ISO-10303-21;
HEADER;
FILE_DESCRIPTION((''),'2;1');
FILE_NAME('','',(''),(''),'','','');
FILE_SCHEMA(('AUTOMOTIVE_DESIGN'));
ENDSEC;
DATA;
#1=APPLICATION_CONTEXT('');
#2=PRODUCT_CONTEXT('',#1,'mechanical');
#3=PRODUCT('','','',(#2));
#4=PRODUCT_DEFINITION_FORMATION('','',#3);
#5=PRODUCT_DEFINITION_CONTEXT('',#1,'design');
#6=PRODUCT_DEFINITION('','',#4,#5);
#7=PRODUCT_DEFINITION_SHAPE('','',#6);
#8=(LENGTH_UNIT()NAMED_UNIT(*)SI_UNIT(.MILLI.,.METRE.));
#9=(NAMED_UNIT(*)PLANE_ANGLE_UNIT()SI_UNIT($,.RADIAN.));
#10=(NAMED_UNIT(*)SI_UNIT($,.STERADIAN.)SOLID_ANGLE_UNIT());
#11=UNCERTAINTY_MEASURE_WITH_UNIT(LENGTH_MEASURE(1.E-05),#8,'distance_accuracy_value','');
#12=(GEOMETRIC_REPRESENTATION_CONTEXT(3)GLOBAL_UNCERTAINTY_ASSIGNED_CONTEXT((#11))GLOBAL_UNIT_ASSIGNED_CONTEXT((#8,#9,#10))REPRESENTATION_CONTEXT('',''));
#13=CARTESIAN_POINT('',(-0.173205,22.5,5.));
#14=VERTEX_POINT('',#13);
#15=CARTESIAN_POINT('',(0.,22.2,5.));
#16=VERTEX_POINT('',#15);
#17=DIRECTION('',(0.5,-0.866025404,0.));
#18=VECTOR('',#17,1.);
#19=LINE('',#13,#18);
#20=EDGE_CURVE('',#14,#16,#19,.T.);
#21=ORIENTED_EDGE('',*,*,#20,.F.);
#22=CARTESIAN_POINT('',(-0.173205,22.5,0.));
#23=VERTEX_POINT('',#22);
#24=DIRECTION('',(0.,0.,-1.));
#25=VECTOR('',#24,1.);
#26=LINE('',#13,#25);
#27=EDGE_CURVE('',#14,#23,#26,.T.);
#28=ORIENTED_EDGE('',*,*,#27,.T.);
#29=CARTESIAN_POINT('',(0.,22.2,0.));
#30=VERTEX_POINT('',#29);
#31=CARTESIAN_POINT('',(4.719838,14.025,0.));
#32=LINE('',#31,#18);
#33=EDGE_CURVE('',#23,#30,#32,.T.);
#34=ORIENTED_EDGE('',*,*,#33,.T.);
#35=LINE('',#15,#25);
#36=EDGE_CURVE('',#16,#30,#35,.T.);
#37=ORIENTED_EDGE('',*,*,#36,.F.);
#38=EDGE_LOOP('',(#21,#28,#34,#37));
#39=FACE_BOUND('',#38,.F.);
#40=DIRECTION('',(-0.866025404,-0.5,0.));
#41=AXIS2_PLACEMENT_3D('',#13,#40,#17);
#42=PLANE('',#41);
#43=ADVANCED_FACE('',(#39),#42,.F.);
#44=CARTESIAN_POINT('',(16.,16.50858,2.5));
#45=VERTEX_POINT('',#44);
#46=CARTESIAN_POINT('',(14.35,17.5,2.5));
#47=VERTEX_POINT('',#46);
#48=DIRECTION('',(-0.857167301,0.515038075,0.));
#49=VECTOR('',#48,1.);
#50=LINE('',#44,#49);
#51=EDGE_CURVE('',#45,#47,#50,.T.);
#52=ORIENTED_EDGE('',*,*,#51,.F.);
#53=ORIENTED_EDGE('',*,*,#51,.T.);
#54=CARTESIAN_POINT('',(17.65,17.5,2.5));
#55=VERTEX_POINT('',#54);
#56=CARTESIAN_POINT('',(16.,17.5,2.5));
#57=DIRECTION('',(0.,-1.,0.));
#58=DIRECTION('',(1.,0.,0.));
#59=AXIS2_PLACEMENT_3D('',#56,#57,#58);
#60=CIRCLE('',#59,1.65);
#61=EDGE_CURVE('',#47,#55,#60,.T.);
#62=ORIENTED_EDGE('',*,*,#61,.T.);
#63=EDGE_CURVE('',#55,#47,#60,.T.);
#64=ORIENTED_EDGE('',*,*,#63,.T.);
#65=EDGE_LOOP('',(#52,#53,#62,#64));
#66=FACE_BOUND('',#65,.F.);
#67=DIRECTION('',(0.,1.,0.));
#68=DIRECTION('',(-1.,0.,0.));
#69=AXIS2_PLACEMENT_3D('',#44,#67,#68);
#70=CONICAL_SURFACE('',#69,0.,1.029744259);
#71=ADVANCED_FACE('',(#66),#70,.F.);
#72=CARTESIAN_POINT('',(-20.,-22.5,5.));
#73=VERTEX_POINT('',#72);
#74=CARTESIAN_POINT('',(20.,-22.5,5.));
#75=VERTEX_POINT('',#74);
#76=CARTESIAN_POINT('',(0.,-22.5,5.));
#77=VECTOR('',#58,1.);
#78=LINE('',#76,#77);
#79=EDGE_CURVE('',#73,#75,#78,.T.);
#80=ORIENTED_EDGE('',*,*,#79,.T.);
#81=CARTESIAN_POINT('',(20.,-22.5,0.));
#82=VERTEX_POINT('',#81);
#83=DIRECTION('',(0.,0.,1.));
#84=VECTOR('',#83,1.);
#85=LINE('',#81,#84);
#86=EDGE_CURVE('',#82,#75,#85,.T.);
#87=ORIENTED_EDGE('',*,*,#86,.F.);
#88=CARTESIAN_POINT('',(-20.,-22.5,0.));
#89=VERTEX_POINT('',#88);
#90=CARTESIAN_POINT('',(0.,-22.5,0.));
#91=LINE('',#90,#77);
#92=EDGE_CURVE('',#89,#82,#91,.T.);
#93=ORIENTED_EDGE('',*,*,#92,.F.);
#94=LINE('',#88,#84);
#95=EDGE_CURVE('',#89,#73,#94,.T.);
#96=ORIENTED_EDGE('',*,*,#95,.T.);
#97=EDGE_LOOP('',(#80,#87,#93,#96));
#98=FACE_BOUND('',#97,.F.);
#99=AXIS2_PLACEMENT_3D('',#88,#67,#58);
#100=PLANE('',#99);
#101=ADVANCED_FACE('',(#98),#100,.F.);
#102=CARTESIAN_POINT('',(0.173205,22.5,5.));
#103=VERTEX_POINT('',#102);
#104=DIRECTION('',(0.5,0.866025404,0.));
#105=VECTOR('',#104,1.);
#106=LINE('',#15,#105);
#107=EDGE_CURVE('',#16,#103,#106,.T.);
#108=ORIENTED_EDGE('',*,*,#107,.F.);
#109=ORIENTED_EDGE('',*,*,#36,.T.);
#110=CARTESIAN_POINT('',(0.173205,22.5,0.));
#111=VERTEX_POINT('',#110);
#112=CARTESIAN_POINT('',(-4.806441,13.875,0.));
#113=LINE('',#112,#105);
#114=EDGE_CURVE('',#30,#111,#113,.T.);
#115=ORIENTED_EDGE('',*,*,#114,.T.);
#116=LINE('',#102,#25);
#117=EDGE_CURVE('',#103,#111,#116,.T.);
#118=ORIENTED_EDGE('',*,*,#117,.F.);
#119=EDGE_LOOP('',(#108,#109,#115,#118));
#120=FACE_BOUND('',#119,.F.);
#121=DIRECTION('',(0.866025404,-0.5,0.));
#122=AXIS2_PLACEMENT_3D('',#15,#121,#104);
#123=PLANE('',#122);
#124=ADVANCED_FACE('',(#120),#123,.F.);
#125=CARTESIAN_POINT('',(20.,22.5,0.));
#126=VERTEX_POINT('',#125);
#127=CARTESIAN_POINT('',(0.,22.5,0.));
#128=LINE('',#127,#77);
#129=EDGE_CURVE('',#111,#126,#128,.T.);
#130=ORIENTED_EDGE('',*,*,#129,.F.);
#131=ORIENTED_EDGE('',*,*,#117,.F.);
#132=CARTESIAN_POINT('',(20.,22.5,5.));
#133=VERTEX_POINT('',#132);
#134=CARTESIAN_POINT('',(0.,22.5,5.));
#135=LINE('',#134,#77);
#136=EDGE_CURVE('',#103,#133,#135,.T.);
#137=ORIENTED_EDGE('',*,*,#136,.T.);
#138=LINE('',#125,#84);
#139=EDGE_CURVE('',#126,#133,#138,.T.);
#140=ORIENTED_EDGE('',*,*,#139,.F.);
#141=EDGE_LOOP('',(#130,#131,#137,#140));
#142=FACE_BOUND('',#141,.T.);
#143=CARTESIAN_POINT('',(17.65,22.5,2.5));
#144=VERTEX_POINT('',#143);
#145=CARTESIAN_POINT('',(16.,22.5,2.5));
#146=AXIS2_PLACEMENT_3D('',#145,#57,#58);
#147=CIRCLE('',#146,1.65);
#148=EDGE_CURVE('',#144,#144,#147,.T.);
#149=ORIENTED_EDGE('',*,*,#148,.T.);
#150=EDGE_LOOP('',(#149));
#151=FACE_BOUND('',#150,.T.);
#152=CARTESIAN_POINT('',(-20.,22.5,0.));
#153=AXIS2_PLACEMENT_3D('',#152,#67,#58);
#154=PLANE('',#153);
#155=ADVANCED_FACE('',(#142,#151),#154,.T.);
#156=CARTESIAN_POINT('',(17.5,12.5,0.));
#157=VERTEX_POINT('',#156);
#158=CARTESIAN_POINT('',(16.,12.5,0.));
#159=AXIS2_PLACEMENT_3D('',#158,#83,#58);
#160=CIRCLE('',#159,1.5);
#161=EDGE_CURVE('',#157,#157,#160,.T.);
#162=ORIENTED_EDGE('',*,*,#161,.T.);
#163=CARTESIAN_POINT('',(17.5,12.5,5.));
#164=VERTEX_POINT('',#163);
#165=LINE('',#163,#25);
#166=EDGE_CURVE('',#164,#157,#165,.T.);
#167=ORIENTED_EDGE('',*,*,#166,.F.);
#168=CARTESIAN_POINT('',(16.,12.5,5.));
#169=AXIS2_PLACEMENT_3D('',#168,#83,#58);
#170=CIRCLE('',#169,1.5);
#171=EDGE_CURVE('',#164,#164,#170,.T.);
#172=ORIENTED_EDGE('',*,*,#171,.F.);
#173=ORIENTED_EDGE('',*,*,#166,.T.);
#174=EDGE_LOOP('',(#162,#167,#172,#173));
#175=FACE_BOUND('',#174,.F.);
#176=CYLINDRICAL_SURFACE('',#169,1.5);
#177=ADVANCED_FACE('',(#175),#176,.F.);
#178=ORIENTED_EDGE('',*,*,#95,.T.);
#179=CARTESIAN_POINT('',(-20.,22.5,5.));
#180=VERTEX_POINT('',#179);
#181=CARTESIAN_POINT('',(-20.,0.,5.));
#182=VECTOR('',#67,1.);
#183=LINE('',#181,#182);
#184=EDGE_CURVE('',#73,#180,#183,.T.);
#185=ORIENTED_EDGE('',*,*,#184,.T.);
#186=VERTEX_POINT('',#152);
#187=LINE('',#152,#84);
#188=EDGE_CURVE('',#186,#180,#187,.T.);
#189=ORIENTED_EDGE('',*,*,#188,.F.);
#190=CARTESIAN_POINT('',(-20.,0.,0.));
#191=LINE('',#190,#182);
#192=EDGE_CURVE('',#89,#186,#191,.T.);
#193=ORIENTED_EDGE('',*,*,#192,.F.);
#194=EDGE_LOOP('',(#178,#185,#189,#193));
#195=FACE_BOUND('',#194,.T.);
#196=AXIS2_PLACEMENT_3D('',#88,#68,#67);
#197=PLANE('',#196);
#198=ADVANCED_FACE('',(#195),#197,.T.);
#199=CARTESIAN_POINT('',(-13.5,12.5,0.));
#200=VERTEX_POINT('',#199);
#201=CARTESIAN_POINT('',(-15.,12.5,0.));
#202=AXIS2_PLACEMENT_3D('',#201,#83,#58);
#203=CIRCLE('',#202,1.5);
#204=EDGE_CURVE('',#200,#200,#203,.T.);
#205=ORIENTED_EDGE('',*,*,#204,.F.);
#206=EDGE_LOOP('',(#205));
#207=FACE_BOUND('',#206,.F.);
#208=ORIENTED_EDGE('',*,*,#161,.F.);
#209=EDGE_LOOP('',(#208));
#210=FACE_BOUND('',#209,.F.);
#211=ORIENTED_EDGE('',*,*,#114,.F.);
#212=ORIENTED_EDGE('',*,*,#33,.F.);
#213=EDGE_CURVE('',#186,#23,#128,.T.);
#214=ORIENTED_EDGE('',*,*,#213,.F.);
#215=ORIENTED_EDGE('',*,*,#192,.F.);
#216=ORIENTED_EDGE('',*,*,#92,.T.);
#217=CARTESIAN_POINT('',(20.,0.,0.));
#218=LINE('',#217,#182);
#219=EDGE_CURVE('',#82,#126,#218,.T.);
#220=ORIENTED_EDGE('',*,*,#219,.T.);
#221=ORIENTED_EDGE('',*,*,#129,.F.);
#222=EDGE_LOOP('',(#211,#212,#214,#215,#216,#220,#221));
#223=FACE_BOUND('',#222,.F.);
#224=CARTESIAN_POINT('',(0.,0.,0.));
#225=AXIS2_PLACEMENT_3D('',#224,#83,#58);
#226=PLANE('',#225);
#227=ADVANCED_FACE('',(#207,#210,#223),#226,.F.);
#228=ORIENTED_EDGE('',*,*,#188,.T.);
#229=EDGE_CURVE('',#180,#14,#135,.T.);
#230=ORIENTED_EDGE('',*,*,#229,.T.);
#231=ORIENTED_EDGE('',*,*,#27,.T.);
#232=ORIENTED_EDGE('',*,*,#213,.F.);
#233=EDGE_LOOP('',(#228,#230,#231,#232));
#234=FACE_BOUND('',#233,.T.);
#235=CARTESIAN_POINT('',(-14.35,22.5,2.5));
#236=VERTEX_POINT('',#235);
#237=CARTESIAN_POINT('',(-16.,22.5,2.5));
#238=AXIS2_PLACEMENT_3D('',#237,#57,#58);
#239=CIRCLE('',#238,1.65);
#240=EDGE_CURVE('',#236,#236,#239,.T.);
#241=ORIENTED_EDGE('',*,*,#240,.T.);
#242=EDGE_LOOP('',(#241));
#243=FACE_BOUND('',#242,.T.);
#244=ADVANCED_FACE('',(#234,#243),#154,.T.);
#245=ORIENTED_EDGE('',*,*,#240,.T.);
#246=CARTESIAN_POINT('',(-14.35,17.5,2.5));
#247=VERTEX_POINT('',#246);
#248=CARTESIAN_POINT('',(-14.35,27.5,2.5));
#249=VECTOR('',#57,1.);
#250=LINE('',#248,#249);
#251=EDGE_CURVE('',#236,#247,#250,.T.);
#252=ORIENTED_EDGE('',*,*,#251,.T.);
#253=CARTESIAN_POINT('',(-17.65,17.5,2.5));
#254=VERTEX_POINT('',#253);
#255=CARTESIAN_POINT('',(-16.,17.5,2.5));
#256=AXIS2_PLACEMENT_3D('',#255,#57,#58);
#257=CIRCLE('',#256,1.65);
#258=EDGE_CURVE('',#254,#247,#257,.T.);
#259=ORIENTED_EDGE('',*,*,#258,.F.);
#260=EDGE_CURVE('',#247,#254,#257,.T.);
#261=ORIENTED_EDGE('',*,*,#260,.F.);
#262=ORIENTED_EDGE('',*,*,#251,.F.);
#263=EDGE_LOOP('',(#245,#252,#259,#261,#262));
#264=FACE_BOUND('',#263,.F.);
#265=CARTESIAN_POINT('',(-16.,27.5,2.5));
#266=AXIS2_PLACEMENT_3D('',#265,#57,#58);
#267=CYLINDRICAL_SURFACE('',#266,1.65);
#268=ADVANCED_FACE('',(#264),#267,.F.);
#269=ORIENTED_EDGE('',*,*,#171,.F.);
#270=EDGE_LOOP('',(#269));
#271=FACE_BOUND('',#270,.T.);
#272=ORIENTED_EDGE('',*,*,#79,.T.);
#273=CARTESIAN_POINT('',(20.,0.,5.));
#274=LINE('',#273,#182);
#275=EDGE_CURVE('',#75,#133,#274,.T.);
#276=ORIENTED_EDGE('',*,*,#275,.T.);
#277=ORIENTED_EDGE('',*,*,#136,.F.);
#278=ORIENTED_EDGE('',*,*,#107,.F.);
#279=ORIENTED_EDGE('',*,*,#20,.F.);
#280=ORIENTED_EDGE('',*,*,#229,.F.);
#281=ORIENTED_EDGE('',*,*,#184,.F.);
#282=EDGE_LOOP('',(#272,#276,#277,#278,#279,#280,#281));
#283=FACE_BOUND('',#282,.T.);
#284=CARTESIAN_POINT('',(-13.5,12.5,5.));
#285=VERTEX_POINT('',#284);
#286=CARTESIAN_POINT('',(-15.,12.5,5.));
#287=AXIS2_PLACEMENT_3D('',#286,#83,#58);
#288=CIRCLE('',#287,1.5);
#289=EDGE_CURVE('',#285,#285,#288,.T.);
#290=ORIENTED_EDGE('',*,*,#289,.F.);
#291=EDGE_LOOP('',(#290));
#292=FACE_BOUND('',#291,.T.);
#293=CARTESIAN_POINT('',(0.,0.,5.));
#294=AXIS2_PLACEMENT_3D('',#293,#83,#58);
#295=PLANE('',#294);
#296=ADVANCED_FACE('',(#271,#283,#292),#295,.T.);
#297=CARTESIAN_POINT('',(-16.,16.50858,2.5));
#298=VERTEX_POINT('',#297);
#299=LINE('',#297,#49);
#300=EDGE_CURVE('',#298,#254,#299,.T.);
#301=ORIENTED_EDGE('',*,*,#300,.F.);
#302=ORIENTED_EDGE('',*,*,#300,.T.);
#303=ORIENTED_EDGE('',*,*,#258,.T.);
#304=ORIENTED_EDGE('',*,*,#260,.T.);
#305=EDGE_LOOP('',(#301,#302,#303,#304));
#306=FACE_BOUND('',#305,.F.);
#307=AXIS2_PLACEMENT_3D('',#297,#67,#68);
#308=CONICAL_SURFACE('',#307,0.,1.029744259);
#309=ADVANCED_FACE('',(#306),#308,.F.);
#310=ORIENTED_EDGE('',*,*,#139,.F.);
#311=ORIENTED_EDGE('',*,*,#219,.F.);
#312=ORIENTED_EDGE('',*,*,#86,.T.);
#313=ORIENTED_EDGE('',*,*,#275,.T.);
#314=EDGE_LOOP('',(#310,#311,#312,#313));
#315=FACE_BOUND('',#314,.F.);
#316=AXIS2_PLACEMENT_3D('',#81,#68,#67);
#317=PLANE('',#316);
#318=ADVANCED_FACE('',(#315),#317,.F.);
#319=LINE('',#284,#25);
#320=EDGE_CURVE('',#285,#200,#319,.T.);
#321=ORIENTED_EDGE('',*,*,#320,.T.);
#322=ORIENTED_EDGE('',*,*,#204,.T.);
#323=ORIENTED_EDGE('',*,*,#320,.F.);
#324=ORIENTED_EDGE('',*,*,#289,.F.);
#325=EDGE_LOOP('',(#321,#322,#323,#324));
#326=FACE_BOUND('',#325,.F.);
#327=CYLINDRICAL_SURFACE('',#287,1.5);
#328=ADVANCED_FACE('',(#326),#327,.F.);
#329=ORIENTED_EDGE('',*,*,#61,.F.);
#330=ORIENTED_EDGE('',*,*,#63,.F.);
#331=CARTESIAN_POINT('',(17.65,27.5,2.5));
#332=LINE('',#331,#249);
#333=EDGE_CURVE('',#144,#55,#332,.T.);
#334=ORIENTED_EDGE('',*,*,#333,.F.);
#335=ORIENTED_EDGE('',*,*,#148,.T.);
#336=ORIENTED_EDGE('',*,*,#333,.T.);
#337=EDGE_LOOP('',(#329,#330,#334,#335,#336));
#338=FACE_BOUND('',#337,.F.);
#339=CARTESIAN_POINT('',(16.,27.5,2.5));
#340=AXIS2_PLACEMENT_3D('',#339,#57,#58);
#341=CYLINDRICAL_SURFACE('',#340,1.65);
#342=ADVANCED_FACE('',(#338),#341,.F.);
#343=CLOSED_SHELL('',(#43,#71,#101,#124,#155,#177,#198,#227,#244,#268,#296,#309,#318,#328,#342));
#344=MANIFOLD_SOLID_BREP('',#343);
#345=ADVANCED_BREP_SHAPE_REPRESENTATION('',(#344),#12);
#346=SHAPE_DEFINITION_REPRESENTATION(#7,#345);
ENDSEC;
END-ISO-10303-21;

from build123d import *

# Parameters (mm, degrees)
F0_W     = 40
F0_H     = 45
F1_DEPTH = 5
F2_R     = 1.5
F3_DEPTH = 25
F5_DEPTH = 25
F7_D     = 3.3
F7_DEPTH = 5
F7_TIP   = 0.9914200214


with BuildPart() as f1:
    # F0 (on Top) → F1 (new body)
    with BuildSketch(Plane.XY):
        Rectangle(F0_W, F0_H)
    extrude(amount=F1_DEPTH)

    # F2 (on face) → F3 (cut)
    with BuildSketch(Plane.XY.offset(5)):
        with Locations((16, 12.5)):
            Circle(F2_R)
        with Locations((-15, 12.5)):
            Circle(F2_R)
    extrude(amount=-F3_DEPTH, mode=Mode.SUBTRACT)

    # F4 (on face) → F5 (cut)
    with BuildSketch(Plane.XY.offset(5)):
        Polygon((0.1732050808, 22.5), (-0.1732050808, 22.5), (0, 22.2), align=None)
    extrude(amount=-F5_DEPTH, mode=Mode.SUBTRACT)

    # F7
    with Locations(Plane(origin=(0, 22.5, 0), x_dir=(-1, 0, 0), z_dir=(0, 1, 0))):
        with Locations((-16, 2.5), (16, 2.5)):
            Hole(F7_D / 2, depth=F7_DEPTH)
            with Locations((0, 0, -(F7_DEPTH + F7_TIP / 2))):  # 118° drill point
                Cone(0, F7_D / 2, F7_TIP, mode=Mode.SUBTRACT)


solid = f1.part
